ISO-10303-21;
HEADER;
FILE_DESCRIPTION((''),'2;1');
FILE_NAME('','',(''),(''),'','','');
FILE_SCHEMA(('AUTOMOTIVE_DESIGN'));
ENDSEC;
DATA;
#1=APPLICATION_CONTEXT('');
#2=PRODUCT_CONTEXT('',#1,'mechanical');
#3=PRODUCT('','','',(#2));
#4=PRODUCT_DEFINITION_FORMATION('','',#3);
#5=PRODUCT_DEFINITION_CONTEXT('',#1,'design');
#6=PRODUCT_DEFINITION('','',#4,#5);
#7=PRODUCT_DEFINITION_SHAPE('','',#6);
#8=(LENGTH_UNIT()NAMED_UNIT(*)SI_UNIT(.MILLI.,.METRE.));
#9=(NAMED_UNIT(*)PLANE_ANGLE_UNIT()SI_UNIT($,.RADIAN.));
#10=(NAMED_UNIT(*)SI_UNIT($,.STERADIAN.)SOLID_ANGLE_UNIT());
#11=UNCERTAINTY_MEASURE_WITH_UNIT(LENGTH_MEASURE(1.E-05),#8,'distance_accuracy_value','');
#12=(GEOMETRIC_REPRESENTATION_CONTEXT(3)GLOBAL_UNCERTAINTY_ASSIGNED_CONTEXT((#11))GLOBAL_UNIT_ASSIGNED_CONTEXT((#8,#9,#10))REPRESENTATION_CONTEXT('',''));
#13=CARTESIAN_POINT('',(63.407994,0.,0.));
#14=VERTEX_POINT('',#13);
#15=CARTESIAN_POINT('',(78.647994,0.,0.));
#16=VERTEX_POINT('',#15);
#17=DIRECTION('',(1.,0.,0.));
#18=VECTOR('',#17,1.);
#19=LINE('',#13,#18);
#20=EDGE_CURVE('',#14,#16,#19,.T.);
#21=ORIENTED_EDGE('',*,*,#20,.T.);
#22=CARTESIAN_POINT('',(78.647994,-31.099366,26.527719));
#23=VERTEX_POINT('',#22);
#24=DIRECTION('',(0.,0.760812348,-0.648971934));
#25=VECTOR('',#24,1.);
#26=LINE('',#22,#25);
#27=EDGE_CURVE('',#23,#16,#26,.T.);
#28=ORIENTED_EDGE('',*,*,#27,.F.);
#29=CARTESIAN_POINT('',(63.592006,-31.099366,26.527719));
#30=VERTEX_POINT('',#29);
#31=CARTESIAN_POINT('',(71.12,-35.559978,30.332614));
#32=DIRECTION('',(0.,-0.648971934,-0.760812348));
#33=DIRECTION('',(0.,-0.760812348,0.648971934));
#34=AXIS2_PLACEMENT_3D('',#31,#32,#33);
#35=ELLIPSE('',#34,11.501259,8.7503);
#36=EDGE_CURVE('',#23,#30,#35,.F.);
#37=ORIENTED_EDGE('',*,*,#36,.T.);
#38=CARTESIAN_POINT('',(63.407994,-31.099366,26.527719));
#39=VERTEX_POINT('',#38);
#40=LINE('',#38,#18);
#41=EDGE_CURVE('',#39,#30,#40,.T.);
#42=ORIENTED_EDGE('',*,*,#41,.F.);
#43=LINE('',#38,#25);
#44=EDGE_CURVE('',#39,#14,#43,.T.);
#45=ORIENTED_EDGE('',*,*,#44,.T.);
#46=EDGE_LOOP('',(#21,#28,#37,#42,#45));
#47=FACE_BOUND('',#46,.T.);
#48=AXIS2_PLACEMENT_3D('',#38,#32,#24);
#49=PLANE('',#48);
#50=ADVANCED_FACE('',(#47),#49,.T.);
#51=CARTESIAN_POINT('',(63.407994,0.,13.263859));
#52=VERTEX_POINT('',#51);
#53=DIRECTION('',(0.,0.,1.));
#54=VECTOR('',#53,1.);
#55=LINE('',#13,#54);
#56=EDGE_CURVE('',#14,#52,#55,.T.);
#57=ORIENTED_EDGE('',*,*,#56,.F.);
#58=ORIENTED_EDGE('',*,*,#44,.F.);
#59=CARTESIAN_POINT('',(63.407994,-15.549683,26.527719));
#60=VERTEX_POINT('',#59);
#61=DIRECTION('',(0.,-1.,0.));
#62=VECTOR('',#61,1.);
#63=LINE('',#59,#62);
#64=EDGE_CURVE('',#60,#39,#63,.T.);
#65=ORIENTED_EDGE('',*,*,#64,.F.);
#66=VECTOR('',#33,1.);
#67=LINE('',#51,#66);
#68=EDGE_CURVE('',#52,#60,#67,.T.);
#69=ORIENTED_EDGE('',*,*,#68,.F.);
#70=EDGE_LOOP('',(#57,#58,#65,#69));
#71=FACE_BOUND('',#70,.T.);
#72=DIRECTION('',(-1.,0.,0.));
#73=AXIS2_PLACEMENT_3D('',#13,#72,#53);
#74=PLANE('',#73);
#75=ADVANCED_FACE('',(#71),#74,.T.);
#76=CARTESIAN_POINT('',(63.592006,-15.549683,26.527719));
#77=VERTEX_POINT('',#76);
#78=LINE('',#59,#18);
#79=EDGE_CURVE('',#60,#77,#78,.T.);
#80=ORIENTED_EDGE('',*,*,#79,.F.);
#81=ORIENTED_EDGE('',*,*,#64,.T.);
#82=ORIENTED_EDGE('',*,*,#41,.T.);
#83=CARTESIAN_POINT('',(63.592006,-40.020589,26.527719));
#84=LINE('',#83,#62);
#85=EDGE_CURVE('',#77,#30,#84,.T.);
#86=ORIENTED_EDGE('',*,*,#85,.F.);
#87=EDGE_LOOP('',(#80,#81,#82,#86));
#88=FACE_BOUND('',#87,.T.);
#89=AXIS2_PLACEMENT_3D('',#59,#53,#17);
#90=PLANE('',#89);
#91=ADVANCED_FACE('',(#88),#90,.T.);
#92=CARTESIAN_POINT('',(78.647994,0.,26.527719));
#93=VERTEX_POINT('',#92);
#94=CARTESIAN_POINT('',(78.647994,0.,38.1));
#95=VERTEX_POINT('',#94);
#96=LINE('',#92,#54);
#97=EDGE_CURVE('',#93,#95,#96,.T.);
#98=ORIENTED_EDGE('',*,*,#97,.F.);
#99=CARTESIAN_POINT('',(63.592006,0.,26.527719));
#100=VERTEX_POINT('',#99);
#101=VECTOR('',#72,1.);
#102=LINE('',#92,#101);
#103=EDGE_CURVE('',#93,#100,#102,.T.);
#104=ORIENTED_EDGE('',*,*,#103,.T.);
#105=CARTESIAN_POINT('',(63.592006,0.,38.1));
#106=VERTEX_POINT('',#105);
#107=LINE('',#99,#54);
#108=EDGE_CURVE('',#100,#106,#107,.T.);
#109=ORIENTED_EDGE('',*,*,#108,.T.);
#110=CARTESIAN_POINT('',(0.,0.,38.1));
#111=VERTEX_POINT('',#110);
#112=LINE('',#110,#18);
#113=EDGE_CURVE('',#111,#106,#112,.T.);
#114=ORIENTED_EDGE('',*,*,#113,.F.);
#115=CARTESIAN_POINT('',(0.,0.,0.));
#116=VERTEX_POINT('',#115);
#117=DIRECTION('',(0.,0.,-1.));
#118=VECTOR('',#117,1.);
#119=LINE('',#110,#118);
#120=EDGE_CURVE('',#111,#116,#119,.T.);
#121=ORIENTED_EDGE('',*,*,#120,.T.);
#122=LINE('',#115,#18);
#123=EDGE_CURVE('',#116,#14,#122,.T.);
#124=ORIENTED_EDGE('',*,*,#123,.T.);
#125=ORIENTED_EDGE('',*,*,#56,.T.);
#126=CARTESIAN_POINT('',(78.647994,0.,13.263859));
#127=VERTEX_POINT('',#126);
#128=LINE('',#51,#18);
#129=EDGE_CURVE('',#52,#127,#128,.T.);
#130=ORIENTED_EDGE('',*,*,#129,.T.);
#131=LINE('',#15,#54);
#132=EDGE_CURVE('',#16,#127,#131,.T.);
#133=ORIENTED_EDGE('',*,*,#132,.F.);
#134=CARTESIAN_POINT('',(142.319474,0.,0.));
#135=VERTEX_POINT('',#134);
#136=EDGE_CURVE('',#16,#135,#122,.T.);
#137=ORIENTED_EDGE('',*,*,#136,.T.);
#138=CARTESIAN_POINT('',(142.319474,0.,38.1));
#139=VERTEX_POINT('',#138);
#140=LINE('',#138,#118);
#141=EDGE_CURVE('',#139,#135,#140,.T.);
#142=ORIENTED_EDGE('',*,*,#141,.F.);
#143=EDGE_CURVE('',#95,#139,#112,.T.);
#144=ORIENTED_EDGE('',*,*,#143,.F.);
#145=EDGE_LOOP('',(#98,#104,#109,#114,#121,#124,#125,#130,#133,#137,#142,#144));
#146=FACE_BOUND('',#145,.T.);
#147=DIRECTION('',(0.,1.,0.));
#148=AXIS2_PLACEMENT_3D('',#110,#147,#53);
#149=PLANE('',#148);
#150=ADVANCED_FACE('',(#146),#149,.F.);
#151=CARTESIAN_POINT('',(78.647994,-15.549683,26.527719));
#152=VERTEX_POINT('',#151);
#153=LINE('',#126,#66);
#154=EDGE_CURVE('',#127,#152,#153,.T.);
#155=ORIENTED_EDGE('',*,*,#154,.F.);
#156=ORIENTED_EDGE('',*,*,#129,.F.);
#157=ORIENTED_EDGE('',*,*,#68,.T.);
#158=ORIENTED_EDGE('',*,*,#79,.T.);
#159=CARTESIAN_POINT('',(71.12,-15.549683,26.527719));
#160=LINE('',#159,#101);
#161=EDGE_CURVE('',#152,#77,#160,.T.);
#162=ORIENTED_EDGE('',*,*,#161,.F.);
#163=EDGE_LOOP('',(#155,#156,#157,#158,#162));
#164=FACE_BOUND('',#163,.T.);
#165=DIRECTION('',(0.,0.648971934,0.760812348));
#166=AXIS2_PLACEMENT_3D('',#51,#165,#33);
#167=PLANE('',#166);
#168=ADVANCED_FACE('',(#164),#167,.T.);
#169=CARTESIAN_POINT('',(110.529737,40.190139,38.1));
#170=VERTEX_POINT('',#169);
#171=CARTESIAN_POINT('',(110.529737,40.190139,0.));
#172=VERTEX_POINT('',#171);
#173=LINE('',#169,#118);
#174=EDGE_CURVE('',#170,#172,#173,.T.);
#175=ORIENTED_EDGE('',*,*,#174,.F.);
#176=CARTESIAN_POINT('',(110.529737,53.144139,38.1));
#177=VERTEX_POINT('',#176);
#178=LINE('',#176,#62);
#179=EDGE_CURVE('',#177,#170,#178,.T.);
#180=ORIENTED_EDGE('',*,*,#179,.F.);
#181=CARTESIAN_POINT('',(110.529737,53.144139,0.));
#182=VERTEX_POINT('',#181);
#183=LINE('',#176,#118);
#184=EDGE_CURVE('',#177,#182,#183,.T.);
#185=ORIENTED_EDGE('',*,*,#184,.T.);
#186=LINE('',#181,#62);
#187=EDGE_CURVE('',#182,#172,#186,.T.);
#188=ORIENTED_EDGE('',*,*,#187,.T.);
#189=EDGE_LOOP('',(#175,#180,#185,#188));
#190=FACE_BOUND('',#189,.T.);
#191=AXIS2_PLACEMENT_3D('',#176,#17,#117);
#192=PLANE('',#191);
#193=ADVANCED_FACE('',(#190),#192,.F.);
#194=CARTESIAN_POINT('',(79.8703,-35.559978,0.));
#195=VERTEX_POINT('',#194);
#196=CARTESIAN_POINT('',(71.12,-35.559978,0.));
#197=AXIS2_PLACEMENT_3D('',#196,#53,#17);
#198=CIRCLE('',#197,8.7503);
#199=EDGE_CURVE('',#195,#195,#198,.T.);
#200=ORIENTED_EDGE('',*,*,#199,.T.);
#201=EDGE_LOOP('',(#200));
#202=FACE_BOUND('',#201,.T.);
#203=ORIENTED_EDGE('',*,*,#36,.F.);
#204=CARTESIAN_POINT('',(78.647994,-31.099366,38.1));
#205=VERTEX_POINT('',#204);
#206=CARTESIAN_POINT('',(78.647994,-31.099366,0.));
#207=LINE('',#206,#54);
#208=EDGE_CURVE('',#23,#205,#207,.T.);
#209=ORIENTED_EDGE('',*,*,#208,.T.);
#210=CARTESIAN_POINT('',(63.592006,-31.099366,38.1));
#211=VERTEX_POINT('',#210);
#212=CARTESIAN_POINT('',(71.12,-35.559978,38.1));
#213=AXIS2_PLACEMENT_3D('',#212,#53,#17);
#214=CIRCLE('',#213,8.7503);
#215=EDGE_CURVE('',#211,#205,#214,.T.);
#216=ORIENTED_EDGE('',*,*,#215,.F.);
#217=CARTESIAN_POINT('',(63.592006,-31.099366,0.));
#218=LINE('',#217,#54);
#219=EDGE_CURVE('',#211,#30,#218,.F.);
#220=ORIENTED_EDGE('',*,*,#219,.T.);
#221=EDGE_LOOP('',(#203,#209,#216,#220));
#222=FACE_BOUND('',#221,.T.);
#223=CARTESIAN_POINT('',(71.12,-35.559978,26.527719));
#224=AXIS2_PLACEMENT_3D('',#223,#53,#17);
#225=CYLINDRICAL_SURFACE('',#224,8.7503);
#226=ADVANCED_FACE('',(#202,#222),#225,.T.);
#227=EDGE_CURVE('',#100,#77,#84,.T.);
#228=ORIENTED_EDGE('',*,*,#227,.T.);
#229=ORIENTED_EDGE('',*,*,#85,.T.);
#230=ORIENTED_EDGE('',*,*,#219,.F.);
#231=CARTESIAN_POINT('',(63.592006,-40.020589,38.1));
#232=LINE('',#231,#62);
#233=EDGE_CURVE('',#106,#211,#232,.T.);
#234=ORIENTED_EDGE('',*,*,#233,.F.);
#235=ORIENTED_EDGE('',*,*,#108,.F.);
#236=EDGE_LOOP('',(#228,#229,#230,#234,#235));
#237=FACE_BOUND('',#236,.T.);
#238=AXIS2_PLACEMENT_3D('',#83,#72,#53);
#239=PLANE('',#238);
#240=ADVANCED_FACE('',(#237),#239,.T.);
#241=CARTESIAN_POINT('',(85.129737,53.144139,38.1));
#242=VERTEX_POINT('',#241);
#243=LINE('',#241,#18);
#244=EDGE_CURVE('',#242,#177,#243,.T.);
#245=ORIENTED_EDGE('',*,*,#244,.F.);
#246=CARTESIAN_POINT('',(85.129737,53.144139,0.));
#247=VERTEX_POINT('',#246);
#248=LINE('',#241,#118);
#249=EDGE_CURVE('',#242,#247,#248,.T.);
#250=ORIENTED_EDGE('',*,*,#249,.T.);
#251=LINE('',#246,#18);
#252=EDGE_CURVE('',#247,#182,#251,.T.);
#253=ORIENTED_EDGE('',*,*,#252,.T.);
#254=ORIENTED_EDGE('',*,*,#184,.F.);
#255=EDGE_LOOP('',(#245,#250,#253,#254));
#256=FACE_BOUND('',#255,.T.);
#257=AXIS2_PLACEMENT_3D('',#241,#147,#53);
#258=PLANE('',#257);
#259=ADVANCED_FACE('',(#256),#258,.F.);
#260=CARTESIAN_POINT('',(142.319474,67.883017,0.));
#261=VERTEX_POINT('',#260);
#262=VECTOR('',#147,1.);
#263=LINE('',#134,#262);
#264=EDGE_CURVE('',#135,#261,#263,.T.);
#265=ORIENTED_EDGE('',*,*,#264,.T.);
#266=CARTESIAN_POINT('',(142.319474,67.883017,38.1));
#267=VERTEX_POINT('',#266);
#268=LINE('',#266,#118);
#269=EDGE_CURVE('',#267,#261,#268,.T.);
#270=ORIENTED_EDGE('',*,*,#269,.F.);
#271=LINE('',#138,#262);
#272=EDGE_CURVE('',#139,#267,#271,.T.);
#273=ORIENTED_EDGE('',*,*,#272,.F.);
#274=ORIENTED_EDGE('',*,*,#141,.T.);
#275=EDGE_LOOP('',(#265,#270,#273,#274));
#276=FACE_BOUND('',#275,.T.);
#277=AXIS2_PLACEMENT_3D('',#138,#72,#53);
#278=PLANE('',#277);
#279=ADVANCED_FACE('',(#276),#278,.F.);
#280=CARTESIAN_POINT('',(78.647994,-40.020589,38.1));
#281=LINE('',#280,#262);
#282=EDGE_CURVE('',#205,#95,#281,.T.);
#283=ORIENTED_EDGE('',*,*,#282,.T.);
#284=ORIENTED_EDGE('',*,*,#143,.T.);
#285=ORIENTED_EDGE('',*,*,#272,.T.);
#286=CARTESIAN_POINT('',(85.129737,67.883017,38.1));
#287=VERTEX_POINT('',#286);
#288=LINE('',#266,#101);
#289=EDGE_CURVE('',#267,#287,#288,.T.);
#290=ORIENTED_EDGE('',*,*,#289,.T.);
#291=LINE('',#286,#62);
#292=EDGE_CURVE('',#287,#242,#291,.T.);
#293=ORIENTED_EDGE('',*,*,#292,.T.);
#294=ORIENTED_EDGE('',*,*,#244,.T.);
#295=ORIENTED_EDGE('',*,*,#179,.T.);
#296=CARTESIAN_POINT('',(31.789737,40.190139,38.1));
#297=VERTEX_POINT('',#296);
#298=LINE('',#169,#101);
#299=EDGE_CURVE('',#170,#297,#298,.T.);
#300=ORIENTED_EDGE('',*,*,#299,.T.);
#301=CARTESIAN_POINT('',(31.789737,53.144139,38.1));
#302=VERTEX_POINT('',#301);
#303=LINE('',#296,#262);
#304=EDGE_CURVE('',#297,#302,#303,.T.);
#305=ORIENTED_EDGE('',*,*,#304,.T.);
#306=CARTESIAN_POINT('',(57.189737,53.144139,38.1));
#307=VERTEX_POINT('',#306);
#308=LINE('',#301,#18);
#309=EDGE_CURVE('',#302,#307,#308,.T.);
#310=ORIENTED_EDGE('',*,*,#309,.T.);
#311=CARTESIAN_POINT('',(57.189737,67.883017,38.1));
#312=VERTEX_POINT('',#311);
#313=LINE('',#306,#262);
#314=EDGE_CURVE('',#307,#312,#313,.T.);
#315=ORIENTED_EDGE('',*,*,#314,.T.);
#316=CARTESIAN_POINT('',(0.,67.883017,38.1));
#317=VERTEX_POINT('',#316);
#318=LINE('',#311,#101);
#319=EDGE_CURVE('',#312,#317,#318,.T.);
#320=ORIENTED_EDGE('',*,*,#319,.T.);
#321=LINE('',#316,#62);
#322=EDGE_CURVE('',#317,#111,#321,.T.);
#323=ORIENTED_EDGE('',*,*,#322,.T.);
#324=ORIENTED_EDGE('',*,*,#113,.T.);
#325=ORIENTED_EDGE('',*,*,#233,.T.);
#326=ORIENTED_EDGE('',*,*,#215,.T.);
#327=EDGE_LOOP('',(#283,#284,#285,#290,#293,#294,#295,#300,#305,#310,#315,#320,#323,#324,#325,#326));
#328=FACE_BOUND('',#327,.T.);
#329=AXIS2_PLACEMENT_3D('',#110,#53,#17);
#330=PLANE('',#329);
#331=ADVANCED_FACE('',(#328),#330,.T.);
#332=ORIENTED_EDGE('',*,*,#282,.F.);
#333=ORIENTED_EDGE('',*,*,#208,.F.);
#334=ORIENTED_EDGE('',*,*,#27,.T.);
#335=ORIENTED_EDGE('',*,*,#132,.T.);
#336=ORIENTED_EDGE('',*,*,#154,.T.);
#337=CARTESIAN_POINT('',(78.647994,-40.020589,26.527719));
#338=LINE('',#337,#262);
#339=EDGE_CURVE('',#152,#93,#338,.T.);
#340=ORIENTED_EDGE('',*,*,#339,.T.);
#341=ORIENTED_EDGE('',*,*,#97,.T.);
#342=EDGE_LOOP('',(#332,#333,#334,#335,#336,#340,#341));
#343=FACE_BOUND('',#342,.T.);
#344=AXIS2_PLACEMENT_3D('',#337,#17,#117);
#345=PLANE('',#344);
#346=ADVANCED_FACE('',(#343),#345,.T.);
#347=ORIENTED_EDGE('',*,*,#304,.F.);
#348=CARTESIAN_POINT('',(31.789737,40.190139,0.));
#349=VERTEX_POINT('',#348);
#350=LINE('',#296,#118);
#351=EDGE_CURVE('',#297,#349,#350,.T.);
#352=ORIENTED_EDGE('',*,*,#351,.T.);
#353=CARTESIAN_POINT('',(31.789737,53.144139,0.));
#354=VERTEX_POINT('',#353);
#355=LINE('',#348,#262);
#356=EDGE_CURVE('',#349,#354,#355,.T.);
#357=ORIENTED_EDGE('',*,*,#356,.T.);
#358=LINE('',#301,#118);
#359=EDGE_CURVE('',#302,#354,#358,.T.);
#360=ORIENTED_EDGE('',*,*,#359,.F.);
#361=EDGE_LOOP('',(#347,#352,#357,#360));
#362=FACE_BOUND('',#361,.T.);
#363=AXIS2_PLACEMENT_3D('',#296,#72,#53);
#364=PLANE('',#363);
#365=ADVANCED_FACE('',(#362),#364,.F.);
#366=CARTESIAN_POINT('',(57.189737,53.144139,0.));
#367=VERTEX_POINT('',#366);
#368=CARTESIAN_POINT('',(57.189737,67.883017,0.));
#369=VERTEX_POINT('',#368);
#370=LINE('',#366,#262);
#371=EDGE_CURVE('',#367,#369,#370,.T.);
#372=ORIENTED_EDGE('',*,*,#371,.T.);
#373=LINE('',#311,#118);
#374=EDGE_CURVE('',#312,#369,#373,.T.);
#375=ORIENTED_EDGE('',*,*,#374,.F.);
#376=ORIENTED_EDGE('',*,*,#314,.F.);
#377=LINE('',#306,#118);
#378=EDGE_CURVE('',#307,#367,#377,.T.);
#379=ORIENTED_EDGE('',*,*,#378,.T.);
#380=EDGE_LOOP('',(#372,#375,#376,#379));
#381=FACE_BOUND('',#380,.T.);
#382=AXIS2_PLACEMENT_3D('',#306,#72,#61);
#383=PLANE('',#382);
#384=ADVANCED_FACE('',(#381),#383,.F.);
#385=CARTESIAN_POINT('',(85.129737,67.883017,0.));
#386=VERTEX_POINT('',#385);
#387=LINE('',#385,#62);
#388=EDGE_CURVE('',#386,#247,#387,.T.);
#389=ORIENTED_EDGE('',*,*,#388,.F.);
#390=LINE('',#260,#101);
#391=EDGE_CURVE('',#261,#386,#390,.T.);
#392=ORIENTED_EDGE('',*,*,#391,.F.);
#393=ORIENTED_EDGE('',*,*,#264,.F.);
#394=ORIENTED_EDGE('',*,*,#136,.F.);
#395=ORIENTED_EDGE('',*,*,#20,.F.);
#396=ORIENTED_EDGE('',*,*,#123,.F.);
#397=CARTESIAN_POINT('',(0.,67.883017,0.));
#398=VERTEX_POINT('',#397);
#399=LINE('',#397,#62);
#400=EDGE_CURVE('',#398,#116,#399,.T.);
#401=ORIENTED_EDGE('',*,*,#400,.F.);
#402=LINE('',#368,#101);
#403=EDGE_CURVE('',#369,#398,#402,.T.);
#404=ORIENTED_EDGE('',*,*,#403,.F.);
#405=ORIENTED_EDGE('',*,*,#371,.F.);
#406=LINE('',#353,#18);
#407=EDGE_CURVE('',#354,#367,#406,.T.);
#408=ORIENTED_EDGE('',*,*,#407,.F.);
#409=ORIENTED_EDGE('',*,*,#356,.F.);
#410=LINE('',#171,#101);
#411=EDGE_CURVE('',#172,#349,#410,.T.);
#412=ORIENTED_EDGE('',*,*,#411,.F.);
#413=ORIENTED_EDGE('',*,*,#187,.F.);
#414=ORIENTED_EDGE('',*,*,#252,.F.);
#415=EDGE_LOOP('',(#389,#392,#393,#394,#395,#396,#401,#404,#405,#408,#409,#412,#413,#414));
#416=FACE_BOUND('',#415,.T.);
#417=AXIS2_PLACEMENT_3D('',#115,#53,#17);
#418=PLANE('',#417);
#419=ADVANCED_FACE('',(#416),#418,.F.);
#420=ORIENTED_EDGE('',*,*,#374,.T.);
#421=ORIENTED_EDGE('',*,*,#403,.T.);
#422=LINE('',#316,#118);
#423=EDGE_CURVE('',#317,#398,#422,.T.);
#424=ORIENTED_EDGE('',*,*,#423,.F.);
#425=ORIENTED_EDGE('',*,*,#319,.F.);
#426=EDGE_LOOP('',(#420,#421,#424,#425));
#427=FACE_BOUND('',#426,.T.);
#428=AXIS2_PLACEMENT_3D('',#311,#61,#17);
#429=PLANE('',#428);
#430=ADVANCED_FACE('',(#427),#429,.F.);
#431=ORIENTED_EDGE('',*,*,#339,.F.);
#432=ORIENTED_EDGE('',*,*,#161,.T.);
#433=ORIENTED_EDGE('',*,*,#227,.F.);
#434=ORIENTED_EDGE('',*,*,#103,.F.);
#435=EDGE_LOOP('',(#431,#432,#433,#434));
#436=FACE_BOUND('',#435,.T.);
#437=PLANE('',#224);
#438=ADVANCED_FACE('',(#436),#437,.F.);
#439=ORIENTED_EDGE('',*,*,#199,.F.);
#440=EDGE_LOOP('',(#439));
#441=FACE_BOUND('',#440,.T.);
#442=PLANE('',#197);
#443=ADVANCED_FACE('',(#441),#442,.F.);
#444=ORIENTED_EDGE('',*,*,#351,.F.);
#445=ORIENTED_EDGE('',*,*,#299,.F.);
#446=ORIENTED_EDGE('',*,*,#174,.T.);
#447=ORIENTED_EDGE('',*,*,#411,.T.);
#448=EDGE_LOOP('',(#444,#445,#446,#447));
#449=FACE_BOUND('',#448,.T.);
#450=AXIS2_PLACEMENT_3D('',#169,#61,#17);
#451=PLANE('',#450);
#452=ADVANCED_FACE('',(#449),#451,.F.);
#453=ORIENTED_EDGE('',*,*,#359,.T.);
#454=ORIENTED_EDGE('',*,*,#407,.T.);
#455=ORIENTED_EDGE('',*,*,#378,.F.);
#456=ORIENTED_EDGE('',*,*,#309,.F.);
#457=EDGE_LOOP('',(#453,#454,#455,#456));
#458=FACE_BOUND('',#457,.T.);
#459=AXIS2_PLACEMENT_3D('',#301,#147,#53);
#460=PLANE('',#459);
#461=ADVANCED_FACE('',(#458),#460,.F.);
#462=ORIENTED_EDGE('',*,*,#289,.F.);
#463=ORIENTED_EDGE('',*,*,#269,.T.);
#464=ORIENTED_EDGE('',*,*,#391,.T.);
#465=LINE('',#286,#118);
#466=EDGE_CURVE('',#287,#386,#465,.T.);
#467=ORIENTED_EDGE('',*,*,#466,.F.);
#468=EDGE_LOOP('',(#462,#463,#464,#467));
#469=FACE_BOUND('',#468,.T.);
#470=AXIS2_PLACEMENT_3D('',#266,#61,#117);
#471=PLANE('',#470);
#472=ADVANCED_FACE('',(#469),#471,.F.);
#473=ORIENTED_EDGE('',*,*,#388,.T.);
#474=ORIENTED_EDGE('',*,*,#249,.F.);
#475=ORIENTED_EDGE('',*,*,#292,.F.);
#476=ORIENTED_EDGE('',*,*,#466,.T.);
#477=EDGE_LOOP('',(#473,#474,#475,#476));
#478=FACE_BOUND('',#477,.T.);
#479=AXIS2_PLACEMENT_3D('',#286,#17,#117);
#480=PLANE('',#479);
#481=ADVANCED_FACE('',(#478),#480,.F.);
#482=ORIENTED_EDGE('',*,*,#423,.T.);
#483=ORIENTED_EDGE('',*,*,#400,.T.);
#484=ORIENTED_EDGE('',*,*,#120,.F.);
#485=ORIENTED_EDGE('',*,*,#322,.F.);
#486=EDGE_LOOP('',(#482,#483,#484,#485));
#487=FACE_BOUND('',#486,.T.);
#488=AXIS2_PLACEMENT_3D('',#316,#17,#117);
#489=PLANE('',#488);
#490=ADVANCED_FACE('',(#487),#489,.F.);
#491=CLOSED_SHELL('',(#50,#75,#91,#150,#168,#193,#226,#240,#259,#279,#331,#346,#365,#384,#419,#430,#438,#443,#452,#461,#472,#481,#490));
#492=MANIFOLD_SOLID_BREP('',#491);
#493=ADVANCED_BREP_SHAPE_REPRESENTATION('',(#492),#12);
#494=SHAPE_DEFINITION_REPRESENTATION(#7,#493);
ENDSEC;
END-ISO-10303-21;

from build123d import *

# Parameters (mm, degrees)
BOSS_EXTRUDE1_DEPTH = 38.1
SKETCH2_R           = 8.7503
BOSS_EXTRUDE2_DEPTH = 38.1
BOSS_EXTRUDE6_DEPTH = 11.572281197
BOSS_EXTRUDE9_DEPTH = 15.24


with BuildPart() as part:
    # Sketch1 → Boss-Extrude1 (new body)
    with BuildSketch(Plane.XY):
        Polygon((0, 0), (142.319474343, 0), (142.319474343, 67.883016851), (85.129737171, 67.883016851), (85.129737171, 53.144138708), (110.529737171, 53.144138708), (110.529737171, 40.190138708), (31.789737171, 40.190138708), (31.789737171, 53.144138708), (57.189737171, 53.144138708), (57.189737171, 67.883016851), (0, 67.883016851), align=None)
    extrude(amount=BOSS_EXTRUDE1_DEPTH)



with BuildPart() as body_2:
    # Sketch2 → Boss-Extrude2 (new body)
    with BuildSketch(Plane.XY.offset(38.1)):
        with Locations((71.120000025, -35.559977798)):
            Circle(SKETCH2_R)
    extrude(amount=-BOSS_EXTRUDE2_DEPTH)


with BuildPart() as part_1:
    add(part.part)

    add(body_2.part)  # Boss-Extrude6 merges body 2
    # Sketch8 → Boss-Extrude6 (add)
    with BuildSketch(Plane.XY.offset(38.1)):
        with BuildLine():
            Line((63.59200581, -40.020589099), (63.59200581, 0))
            Line((63.59200581, 0), (78.647994227, 0))
            Line((78.647994227, 0), (78.647994227, -40.020589121))
            ThreePointArc((78.647994227, -40.020589121), (71.120000012, -44.310277798), (63.59200581, -40.020589099))
        make_face()
    extrude(amount=-BOSS_EXTRUDE6_DEPTH)

    # Sketch11 → Boss-Extrude9 (add)
    with BuildSketch(Plane(origin=(78.647994227, 0, 0), x_dir=(0, 0, -1), z_dir=(1, 0, 0))):
        Polygon((-26.527718803, -31.099366474), (0, 0), (-13.263859401, 0), (-26.527718803, -15.549683237), align=None)
    extrude(amount=-BOSS_EXTRUDE9_DEPTH)


solid = part_1.part
